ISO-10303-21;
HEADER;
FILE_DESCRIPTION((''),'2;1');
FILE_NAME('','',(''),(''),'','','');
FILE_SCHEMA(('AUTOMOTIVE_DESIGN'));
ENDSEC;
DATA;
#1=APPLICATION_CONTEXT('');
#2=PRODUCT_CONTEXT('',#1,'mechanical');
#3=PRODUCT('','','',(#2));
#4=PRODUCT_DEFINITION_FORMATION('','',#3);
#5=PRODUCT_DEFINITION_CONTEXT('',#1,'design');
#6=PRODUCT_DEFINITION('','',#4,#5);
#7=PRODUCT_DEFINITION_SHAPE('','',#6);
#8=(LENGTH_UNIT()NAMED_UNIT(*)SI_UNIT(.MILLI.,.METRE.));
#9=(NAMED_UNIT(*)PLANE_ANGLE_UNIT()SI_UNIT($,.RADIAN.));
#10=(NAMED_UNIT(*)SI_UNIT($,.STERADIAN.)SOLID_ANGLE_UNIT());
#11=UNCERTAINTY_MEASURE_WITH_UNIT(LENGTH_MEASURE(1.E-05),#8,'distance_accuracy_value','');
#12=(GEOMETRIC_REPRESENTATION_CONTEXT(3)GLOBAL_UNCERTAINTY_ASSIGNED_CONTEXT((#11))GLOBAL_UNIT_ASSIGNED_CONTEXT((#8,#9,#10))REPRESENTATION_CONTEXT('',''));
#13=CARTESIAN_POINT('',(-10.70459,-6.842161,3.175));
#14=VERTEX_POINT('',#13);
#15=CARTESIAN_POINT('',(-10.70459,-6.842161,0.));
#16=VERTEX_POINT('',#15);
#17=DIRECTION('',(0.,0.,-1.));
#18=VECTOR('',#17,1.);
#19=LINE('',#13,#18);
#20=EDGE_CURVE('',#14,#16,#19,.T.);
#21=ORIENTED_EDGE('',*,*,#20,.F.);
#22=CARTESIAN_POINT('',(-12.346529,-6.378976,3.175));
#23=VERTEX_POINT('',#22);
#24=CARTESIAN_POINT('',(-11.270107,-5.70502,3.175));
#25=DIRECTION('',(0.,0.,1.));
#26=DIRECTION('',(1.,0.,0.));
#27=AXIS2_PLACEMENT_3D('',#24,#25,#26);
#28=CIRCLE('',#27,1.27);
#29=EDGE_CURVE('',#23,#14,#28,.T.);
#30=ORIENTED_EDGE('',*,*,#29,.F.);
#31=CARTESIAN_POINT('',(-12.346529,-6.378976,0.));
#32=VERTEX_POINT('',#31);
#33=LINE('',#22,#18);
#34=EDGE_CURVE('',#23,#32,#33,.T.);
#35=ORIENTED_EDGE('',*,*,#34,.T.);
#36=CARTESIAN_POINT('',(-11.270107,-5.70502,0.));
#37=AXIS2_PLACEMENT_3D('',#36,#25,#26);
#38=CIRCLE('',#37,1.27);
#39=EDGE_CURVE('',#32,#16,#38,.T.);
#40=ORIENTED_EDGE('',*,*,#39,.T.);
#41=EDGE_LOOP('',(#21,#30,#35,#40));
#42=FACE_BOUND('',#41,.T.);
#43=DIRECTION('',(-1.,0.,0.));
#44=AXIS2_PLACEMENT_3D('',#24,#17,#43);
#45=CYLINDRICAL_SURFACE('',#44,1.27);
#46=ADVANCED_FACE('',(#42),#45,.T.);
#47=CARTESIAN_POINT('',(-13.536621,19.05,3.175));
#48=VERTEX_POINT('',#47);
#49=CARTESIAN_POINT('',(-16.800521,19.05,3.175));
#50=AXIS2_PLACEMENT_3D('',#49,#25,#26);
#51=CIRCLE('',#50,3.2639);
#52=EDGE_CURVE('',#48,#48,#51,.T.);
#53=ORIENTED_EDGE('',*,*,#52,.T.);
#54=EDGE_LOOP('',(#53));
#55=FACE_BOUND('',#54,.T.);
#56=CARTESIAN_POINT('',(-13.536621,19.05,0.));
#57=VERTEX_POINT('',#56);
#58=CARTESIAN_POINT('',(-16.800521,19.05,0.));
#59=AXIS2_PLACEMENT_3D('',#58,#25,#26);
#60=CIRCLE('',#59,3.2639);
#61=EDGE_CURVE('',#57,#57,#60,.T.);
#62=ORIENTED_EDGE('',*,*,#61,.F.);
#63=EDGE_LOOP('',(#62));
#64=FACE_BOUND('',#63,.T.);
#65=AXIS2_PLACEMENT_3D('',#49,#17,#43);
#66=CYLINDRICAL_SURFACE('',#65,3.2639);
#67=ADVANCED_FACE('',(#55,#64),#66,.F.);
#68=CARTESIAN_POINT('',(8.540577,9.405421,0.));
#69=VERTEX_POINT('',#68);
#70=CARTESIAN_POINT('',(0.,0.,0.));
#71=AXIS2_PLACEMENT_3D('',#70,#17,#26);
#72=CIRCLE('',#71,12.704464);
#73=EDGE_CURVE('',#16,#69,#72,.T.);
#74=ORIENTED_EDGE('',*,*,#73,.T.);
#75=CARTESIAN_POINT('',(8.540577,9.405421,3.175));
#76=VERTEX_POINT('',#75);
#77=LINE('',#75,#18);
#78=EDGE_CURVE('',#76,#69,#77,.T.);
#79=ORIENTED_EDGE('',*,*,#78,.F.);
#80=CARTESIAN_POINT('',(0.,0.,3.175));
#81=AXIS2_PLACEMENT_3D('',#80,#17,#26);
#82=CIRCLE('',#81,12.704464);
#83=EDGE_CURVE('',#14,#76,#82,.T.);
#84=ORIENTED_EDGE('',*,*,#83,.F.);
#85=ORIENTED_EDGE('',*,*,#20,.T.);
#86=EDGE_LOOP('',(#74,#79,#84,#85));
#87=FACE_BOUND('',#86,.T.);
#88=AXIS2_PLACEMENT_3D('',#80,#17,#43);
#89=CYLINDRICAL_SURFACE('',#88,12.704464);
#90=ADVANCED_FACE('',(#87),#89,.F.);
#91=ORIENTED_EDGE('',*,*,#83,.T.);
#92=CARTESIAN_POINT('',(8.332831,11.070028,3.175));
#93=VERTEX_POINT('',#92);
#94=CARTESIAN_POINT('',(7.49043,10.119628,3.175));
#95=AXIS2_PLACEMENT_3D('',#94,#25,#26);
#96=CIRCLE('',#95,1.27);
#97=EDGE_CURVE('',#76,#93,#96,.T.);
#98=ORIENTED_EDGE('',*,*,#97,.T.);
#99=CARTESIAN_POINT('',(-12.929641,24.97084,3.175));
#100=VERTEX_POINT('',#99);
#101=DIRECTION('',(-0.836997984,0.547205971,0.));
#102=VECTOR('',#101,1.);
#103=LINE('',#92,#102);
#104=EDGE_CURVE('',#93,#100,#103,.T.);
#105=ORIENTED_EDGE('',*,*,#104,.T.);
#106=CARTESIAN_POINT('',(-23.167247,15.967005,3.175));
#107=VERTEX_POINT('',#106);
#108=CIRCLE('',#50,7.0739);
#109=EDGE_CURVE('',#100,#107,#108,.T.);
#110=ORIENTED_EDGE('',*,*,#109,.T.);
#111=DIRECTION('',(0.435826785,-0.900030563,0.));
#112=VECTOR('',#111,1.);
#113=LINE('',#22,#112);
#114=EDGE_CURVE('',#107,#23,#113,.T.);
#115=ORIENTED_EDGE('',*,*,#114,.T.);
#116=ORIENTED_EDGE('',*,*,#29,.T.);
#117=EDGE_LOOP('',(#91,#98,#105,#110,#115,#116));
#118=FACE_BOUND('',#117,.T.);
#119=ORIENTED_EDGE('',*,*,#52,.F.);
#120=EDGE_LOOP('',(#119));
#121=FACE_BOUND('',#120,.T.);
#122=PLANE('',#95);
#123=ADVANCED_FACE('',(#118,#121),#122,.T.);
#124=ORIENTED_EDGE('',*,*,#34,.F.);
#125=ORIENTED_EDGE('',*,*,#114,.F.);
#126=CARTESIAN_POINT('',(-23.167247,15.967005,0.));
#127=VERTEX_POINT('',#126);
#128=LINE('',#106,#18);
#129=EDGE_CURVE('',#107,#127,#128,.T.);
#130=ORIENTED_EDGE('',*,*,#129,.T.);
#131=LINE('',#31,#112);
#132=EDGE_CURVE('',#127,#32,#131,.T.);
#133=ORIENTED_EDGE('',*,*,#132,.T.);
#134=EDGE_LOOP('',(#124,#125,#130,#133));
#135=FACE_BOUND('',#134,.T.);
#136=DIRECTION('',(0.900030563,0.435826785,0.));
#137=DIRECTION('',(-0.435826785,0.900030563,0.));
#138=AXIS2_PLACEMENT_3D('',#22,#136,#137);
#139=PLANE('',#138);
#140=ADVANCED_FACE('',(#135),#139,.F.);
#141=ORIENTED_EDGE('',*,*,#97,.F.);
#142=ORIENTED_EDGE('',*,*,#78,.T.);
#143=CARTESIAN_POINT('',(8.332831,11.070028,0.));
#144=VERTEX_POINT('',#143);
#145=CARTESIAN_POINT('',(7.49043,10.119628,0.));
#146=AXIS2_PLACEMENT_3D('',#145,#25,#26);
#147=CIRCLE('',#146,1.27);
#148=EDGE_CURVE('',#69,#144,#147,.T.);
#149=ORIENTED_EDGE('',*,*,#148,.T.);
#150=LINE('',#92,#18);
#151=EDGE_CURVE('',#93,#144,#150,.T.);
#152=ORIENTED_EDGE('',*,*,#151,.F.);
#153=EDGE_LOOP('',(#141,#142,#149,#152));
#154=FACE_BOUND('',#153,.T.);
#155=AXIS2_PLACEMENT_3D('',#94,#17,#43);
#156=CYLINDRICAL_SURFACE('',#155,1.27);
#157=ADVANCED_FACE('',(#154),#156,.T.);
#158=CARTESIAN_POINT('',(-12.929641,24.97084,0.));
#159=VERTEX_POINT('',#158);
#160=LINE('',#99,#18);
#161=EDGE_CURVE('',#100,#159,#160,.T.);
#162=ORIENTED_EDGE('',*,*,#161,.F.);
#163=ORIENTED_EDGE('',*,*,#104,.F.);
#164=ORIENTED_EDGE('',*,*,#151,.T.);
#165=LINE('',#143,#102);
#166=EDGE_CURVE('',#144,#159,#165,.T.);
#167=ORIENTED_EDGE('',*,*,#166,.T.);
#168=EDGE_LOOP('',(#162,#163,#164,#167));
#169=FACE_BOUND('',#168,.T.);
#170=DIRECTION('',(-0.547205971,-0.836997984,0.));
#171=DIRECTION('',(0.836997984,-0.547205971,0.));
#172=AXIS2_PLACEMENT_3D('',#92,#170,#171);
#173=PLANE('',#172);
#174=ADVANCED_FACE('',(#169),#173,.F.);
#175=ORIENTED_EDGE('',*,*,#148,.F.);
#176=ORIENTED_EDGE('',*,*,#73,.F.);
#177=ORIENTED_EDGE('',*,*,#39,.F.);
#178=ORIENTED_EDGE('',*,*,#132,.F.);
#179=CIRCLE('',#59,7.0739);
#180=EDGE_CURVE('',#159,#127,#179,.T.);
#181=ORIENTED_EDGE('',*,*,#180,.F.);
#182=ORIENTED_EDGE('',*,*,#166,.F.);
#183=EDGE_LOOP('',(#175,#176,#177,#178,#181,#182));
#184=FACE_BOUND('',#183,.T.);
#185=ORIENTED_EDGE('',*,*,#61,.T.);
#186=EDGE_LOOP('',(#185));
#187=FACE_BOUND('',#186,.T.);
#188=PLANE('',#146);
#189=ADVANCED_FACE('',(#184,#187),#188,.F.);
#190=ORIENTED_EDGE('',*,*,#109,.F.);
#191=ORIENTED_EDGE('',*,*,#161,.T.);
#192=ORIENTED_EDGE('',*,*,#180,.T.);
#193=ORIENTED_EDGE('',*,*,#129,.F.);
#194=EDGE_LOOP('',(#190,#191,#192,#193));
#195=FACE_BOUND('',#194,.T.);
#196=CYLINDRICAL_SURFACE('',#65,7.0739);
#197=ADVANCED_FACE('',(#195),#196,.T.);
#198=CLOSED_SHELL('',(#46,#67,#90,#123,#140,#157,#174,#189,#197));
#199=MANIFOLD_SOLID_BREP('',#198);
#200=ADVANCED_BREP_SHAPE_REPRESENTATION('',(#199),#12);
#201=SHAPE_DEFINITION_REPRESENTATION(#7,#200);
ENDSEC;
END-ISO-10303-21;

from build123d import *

# Parameters (mm, degrees)
SKETCH1_R           = 3.2639
BOSS_EXTRUDE1_DEPTH = 3.175


with BuildPart() as part:
    # Sketch1 → Boss-Extrude1 (new body)
    with BuildSketch(Plane.XY):
        with BuildLine():
            Line((8.332830832, 11.070028457), (-12.929640508, 24.970840039))
            ThreePointArc((-12.929640508, 24.970840039), (-21.472198622, 24.361825277), (-23.167247023, 15.967004908))
            Line((-23.167247023, 15.967004908), (-12.346529081, -6.378975662))
            ThreePointArc((-12.346529081, -6.378975662), (-11.614913033, -6.927316414), (-10.704589931, -6.842160847))
            ThreePointArc((-10.704589931, -6.842160847), (-8.195530473, 9.707558442), (8.540577231, 9.405421373))
            ThreePointArc((8.540577231, 9.405421373), (8.750653716, 10.276906483), (8.332830832, 11.070028457))
        make_face()
        with Locations((-16.800520825, 19.049999999)):
            Circle(SKETCH1_R, mode=Mode.SUBTRACT)
    extrude(amount=BOSS_EXTRUDE1_DEPTH)


solid = part.part
